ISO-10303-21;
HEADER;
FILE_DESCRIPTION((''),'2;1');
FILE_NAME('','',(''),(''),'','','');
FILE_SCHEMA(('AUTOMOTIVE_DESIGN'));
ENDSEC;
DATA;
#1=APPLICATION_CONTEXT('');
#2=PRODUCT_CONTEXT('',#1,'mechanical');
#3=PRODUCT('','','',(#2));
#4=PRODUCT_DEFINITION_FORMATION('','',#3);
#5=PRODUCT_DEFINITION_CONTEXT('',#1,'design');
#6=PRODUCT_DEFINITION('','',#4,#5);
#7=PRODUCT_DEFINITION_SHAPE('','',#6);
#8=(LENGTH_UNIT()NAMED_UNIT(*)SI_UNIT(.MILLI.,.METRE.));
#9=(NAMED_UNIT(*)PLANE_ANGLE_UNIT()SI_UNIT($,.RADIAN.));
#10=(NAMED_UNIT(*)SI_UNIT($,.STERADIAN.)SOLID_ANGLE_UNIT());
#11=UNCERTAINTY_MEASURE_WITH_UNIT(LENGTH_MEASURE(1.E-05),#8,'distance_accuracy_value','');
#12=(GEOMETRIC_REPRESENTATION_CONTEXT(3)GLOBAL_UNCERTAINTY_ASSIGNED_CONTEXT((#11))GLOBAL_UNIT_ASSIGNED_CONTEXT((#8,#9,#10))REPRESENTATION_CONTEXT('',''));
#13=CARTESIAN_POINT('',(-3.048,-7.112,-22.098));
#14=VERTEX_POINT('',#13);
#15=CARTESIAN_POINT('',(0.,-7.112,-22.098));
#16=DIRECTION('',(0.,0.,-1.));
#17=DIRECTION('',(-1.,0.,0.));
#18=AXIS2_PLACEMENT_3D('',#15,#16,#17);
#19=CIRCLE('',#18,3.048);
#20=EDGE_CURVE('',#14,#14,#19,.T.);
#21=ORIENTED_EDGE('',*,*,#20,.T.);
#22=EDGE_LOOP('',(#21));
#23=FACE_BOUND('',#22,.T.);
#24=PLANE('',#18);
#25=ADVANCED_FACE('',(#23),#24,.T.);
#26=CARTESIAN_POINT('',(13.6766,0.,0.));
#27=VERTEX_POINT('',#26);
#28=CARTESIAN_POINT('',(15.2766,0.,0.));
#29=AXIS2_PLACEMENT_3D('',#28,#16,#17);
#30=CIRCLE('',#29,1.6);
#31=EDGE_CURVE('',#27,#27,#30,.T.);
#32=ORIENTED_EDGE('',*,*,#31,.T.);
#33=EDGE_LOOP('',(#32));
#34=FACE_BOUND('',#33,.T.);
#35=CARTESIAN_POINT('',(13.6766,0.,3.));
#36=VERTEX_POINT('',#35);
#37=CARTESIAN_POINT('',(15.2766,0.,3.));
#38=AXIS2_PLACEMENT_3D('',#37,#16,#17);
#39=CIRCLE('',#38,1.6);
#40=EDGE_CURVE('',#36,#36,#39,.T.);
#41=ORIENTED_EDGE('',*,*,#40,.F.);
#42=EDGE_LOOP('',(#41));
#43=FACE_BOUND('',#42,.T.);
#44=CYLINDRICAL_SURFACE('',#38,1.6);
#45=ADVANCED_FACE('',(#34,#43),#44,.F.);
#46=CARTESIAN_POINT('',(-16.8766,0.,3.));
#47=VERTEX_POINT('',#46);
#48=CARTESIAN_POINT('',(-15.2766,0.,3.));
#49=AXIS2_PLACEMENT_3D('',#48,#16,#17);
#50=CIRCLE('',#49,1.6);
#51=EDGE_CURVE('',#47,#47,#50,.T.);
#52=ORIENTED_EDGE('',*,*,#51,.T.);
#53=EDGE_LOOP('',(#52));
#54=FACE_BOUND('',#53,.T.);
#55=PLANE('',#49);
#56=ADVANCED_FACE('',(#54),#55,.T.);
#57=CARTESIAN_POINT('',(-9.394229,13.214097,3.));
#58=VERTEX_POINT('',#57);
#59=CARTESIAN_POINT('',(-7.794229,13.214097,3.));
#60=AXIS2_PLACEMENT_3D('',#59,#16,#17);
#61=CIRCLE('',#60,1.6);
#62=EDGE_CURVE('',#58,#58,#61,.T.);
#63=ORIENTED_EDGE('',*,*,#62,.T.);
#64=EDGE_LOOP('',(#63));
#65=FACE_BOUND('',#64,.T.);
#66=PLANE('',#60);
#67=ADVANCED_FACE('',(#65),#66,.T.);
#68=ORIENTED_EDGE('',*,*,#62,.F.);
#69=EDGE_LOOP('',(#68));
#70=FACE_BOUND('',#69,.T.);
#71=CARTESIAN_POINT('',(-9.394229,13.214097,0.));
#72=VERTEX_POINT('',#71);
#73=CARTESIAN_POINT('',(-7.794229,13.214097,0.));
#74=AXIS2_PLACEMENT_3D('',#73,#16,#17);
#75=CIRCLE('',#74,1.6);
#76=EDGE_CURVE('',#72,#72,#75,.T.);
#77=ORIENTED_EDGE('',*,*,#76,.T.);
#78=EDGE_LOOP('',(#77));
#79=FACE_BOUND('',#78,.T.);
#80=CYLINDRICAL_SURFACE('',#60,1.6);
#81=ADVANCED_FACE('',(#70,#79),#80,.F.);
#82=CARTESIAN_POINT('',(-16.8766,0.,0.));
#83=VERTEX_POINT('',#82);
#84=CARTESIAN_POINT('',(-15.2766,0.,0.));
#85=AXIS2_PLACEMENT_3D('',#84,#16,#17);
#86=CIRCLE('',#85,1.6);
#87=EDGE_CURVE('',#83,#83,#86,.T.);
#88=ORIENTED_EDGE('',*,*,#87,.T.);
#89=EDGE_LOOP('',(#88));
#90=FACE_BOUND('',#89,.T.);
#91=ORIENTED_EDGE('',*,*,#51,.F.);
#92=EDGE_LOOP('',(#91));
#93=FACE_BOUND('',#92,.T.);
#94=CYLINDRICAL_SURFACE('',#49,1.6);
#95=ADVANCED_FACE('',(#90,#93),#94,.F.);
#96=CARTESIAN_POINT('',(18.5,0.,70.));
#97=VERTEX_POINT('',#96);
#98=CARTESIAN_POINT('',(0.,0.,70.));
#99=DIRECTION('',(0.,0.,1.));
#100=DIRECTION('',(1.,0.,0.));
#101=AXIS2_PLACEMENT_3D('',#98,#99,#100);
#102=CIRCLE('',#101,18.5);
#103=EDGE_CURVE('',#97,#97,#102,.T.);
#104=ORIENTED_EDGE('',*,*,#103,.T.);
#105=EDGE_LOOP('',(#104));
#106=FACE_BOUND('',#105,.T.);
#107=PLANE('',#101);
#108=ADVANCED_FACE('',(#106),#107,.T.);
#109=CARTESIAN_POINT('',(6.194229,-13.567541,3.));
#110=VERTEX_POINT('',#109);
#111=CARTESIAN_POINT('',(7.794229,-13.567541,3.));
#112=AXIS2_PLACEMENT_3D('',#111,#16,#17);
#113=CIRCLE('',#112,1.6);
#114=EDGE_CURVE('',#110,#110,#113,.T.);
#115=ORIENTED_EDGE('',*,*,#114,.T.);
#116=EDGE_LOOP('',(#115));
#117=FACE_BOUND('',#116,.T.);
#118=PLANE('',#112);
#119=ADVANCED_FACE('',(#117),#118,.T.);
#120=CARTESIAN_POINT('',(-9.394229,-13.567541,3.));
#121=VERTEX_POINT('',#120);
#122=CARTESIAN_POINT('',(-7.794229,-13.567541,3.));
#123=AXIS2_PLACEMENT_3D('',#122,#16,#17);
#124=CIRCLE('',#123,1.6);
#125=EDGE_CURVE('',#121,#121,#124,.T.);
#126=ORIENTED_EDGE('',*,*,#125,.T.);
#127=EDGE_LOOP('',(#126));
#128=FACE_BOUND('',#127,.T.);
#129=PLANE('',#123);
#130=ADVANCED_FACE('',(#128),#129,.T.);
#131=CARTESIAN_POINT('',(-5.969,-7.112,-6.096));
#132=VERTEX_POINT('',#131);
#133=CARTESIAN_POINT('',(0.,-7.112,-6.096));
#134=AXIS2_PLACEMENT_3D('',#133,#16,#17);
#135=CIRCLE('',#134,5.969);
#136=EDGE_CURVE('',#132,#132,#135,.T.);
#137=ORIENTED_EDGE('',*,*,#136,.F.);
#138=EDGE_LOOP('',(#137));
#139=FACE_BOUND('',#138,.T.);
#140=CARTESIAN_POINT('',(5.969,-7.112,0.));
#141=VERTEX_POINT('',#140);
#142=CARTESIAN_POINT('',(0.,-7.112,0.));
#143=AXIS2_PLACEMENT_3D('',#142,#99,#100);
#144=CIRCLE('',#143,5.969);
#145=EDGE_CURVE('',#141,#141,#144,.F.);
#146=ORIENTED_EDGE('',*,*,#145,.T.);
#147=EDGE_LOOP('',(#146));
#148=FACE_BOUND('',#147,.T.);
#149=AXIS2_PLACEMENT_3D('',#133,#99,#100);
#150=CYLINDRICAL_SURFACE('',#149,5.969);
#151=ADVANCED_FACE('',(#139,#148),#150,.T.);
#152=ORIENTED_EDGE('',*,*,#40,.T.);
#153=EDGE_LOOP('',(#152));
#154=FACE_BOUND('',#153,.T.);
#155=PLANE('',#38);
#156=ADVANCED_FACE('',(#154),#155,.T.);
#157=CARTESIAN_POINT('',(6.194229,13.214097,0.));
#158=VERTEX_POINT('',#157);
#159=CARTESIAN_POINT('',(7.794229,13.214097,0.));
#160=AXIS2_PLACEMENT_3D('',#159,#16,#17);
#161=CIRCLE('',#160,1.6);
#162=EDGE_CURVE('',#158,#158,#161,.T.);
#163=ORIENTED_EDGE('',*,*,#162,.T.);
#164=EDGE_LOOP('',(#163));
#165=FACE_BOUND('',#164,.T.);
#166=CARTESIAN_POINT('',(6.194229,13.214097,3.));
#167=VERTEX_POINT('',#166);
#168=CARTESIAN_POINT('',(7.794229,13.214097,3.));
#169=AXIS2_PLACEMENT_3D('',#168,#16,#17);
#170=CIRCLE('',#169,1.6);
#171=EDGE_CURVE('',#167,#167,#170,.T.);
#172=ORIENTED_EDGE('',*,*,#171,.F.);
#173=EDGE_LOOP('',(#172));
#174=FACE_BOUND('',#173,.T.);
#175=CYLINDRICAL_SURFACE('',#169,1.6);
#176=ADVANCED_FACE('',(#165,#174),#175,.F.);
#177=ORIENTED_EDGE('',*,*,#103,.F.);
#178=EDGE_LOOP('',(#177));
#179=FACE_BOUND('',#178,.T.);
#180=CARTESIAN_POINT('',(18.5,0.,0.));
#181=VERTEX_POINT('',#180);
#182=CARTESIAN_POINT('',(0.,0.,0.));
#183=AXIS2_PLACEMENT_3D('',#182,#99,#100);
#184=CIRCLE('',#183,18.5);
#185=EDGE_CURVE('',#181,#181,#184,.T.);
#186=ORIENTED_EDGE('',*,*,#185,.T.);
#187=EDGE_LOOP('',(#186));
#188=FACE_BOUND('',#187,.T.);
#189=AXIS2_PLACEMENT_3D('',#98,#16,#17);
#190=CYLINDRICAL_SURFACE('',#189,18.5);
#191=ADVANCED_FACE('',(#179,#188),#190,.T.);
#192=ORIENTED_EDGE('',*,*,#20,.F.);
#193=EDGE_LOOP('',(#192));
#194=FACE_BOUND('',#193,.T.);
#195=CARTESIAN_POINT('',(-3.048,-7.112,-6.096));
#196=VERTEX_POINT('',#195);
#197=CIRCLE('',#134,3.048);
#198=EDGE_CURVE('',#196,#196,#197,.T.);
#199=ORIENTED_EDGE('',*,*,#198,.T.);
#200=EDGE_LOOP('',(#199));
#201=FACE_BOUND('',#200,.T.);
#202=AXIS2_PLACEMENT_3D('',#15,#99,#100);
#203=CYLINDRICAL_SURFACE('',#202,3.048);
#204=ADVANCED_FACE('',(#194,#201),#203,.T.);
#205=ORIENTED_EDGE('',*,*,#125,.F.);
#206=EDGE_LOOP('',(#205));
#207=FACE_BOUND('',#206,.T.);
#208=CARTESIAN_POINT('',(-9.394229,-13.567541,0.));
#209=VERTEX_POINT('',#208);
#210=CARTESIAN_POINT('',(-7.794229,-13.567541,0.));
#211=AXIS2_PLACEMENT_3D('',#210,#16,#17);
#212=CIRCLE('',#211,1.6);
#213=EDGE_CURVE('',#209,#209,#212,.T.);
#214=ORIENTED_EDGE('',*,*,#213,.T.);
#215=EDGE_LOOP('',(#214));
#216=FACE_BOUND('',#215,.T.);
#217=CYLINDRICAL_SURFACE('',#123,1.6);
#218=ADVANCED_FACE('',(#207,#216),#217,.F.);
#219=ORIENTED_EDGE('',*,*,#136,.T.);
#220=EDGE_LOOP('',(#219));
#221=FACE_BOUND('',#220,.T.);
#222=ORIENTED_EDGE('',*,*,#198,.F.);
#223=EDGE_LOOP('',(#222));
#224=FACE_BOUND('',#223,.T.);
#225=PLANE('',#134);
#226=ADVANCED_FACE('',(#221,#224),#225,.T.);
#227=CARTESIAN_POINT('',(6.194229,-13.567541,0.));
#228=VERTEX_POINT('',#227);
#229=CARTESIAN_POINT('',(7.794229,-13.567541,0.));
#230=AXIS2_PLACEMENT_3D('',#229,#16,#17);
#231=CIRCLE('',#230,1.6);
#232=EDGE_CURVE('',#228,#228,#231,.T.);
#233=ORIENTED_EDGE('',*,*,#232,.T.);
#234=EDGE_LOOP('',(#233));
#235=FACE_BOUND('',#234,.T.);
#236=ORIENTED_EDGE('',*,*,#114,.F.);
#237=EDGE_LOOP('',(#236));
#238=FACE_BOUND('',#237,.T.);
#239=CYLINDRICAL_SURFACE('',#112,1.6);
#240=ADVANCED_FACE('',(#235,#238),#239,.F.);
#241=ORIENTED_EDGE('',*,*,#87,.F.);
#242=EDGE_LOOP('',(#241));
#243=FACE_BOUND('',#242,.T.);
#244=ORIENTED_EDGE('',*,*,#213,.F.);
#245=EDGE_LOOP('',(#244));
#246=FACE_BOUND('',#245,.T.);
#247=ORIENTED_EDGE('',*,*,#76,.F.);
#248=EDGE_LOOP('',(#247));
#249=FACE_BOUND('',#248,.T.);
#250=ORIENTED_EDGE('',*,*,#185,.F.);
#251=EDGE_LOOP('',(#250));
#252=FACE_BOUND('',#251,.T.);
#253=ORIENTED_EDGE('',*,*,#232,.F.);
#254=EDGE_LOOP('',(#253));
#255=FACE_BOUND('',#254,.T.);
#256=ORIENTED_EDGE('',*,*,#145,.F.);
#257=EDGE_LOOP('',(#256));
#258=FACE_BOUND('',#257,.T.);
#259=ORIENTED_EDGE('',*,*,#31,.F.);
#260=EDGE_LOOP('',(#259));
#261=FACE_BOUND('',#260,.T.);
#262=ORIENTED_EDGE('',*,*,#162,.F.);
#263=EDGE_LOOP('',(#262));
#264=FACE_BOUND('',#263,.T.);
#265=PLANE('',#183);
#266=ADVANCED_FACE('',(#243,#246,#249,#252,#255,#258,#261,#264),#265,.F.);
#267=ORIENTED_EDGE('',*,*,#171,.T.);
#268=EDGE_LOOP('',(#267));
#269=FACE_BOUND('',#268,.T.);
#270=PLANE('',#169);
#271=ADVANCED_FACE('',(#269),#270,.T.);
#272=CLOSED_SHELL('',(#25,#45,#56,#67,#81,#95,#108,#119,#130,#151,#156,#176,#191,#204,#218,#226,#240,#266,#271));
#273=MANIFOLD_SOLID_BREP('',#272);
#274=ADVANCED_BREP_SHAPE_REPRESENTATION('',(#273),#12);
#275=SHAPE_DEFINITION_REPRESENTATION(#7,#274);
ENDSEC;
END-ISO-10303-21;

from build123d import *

# Parameters (mm, degrees)
SKETCH1_R           = 18.5
BOSS_EXTRUDE1_DEPTH = 70
SKETCH2_R           = 5.969
BOSS_EXTRUDE2_DEPTH = 6.096
SKETCH3_R           = 3.048
BOSS_EXTRUDE3_DEPTH = 16.002
SKETCH4_R           = 1.6
CUT_EXTRUDE1_DEPTH  = 3


with BuildPart() as part:
    # Sketch1 → Boss-Extrude1 (new body)
    with BuildSketch(Plane.XY):
        Circle(SKETCH1_R)
    extrude(amount=BOSS_EXTRUDE1_DEPTH)

    # Sketch2 → Boss-Extrude2 (add)
    with BuildSketch(Plane(origin=(0, 0, 0), x_dir=(-1, 0, 0), z_dir=(0, 0, -1))):
        with Locations((0, -7.112)):
            Circle(SKETCH2_R)
    extrude(amount=BOSS_EXTRUDE2_DEPTH)

    # Sketch3 → Boss-Extrude3 (add)
    with BuildSketch(Plane(origin=(0, 0, -6.096), x_dir=(-1, 0, 0), z_dir=(0, 0, -1))):
        with Locations((0, -7.112)):
            Circle(SKETCH3_R)
    extrude(amount=BOSS_EXTRUDE3_DEPTH)

    # Sketch4 → Cut-Extrude1 (cut)
    with BuildSketch(Plane(origin=(0, 0, 0), x_dir=(-1, 0, 0), z_dir=(0, 0, -1))):
        with Locations((-15.2766, 0)):
            Circle(SKETCH4_R)
        with Locations((15.2766, 0)):
            Circle(SKETCH4_R)
        with Locations((7.794229315, -13.567540858)):
            Circle(SKETCH4_R)
        with Locations((-7.794229315, -13.567540858)):
            Circle(SKETCH4_R)
        with Locations((-7.794229315, 13.214096537)):
            Circle(SKETCH4_R)
        with Locations((7.794229315, 13.214096537)):
            Circle(SKETCH4_R)
    extrude(amount=-CUT_EXTRUDE1_DEPTH, mode=Mode.SUBTRACT)


solid = part.part
